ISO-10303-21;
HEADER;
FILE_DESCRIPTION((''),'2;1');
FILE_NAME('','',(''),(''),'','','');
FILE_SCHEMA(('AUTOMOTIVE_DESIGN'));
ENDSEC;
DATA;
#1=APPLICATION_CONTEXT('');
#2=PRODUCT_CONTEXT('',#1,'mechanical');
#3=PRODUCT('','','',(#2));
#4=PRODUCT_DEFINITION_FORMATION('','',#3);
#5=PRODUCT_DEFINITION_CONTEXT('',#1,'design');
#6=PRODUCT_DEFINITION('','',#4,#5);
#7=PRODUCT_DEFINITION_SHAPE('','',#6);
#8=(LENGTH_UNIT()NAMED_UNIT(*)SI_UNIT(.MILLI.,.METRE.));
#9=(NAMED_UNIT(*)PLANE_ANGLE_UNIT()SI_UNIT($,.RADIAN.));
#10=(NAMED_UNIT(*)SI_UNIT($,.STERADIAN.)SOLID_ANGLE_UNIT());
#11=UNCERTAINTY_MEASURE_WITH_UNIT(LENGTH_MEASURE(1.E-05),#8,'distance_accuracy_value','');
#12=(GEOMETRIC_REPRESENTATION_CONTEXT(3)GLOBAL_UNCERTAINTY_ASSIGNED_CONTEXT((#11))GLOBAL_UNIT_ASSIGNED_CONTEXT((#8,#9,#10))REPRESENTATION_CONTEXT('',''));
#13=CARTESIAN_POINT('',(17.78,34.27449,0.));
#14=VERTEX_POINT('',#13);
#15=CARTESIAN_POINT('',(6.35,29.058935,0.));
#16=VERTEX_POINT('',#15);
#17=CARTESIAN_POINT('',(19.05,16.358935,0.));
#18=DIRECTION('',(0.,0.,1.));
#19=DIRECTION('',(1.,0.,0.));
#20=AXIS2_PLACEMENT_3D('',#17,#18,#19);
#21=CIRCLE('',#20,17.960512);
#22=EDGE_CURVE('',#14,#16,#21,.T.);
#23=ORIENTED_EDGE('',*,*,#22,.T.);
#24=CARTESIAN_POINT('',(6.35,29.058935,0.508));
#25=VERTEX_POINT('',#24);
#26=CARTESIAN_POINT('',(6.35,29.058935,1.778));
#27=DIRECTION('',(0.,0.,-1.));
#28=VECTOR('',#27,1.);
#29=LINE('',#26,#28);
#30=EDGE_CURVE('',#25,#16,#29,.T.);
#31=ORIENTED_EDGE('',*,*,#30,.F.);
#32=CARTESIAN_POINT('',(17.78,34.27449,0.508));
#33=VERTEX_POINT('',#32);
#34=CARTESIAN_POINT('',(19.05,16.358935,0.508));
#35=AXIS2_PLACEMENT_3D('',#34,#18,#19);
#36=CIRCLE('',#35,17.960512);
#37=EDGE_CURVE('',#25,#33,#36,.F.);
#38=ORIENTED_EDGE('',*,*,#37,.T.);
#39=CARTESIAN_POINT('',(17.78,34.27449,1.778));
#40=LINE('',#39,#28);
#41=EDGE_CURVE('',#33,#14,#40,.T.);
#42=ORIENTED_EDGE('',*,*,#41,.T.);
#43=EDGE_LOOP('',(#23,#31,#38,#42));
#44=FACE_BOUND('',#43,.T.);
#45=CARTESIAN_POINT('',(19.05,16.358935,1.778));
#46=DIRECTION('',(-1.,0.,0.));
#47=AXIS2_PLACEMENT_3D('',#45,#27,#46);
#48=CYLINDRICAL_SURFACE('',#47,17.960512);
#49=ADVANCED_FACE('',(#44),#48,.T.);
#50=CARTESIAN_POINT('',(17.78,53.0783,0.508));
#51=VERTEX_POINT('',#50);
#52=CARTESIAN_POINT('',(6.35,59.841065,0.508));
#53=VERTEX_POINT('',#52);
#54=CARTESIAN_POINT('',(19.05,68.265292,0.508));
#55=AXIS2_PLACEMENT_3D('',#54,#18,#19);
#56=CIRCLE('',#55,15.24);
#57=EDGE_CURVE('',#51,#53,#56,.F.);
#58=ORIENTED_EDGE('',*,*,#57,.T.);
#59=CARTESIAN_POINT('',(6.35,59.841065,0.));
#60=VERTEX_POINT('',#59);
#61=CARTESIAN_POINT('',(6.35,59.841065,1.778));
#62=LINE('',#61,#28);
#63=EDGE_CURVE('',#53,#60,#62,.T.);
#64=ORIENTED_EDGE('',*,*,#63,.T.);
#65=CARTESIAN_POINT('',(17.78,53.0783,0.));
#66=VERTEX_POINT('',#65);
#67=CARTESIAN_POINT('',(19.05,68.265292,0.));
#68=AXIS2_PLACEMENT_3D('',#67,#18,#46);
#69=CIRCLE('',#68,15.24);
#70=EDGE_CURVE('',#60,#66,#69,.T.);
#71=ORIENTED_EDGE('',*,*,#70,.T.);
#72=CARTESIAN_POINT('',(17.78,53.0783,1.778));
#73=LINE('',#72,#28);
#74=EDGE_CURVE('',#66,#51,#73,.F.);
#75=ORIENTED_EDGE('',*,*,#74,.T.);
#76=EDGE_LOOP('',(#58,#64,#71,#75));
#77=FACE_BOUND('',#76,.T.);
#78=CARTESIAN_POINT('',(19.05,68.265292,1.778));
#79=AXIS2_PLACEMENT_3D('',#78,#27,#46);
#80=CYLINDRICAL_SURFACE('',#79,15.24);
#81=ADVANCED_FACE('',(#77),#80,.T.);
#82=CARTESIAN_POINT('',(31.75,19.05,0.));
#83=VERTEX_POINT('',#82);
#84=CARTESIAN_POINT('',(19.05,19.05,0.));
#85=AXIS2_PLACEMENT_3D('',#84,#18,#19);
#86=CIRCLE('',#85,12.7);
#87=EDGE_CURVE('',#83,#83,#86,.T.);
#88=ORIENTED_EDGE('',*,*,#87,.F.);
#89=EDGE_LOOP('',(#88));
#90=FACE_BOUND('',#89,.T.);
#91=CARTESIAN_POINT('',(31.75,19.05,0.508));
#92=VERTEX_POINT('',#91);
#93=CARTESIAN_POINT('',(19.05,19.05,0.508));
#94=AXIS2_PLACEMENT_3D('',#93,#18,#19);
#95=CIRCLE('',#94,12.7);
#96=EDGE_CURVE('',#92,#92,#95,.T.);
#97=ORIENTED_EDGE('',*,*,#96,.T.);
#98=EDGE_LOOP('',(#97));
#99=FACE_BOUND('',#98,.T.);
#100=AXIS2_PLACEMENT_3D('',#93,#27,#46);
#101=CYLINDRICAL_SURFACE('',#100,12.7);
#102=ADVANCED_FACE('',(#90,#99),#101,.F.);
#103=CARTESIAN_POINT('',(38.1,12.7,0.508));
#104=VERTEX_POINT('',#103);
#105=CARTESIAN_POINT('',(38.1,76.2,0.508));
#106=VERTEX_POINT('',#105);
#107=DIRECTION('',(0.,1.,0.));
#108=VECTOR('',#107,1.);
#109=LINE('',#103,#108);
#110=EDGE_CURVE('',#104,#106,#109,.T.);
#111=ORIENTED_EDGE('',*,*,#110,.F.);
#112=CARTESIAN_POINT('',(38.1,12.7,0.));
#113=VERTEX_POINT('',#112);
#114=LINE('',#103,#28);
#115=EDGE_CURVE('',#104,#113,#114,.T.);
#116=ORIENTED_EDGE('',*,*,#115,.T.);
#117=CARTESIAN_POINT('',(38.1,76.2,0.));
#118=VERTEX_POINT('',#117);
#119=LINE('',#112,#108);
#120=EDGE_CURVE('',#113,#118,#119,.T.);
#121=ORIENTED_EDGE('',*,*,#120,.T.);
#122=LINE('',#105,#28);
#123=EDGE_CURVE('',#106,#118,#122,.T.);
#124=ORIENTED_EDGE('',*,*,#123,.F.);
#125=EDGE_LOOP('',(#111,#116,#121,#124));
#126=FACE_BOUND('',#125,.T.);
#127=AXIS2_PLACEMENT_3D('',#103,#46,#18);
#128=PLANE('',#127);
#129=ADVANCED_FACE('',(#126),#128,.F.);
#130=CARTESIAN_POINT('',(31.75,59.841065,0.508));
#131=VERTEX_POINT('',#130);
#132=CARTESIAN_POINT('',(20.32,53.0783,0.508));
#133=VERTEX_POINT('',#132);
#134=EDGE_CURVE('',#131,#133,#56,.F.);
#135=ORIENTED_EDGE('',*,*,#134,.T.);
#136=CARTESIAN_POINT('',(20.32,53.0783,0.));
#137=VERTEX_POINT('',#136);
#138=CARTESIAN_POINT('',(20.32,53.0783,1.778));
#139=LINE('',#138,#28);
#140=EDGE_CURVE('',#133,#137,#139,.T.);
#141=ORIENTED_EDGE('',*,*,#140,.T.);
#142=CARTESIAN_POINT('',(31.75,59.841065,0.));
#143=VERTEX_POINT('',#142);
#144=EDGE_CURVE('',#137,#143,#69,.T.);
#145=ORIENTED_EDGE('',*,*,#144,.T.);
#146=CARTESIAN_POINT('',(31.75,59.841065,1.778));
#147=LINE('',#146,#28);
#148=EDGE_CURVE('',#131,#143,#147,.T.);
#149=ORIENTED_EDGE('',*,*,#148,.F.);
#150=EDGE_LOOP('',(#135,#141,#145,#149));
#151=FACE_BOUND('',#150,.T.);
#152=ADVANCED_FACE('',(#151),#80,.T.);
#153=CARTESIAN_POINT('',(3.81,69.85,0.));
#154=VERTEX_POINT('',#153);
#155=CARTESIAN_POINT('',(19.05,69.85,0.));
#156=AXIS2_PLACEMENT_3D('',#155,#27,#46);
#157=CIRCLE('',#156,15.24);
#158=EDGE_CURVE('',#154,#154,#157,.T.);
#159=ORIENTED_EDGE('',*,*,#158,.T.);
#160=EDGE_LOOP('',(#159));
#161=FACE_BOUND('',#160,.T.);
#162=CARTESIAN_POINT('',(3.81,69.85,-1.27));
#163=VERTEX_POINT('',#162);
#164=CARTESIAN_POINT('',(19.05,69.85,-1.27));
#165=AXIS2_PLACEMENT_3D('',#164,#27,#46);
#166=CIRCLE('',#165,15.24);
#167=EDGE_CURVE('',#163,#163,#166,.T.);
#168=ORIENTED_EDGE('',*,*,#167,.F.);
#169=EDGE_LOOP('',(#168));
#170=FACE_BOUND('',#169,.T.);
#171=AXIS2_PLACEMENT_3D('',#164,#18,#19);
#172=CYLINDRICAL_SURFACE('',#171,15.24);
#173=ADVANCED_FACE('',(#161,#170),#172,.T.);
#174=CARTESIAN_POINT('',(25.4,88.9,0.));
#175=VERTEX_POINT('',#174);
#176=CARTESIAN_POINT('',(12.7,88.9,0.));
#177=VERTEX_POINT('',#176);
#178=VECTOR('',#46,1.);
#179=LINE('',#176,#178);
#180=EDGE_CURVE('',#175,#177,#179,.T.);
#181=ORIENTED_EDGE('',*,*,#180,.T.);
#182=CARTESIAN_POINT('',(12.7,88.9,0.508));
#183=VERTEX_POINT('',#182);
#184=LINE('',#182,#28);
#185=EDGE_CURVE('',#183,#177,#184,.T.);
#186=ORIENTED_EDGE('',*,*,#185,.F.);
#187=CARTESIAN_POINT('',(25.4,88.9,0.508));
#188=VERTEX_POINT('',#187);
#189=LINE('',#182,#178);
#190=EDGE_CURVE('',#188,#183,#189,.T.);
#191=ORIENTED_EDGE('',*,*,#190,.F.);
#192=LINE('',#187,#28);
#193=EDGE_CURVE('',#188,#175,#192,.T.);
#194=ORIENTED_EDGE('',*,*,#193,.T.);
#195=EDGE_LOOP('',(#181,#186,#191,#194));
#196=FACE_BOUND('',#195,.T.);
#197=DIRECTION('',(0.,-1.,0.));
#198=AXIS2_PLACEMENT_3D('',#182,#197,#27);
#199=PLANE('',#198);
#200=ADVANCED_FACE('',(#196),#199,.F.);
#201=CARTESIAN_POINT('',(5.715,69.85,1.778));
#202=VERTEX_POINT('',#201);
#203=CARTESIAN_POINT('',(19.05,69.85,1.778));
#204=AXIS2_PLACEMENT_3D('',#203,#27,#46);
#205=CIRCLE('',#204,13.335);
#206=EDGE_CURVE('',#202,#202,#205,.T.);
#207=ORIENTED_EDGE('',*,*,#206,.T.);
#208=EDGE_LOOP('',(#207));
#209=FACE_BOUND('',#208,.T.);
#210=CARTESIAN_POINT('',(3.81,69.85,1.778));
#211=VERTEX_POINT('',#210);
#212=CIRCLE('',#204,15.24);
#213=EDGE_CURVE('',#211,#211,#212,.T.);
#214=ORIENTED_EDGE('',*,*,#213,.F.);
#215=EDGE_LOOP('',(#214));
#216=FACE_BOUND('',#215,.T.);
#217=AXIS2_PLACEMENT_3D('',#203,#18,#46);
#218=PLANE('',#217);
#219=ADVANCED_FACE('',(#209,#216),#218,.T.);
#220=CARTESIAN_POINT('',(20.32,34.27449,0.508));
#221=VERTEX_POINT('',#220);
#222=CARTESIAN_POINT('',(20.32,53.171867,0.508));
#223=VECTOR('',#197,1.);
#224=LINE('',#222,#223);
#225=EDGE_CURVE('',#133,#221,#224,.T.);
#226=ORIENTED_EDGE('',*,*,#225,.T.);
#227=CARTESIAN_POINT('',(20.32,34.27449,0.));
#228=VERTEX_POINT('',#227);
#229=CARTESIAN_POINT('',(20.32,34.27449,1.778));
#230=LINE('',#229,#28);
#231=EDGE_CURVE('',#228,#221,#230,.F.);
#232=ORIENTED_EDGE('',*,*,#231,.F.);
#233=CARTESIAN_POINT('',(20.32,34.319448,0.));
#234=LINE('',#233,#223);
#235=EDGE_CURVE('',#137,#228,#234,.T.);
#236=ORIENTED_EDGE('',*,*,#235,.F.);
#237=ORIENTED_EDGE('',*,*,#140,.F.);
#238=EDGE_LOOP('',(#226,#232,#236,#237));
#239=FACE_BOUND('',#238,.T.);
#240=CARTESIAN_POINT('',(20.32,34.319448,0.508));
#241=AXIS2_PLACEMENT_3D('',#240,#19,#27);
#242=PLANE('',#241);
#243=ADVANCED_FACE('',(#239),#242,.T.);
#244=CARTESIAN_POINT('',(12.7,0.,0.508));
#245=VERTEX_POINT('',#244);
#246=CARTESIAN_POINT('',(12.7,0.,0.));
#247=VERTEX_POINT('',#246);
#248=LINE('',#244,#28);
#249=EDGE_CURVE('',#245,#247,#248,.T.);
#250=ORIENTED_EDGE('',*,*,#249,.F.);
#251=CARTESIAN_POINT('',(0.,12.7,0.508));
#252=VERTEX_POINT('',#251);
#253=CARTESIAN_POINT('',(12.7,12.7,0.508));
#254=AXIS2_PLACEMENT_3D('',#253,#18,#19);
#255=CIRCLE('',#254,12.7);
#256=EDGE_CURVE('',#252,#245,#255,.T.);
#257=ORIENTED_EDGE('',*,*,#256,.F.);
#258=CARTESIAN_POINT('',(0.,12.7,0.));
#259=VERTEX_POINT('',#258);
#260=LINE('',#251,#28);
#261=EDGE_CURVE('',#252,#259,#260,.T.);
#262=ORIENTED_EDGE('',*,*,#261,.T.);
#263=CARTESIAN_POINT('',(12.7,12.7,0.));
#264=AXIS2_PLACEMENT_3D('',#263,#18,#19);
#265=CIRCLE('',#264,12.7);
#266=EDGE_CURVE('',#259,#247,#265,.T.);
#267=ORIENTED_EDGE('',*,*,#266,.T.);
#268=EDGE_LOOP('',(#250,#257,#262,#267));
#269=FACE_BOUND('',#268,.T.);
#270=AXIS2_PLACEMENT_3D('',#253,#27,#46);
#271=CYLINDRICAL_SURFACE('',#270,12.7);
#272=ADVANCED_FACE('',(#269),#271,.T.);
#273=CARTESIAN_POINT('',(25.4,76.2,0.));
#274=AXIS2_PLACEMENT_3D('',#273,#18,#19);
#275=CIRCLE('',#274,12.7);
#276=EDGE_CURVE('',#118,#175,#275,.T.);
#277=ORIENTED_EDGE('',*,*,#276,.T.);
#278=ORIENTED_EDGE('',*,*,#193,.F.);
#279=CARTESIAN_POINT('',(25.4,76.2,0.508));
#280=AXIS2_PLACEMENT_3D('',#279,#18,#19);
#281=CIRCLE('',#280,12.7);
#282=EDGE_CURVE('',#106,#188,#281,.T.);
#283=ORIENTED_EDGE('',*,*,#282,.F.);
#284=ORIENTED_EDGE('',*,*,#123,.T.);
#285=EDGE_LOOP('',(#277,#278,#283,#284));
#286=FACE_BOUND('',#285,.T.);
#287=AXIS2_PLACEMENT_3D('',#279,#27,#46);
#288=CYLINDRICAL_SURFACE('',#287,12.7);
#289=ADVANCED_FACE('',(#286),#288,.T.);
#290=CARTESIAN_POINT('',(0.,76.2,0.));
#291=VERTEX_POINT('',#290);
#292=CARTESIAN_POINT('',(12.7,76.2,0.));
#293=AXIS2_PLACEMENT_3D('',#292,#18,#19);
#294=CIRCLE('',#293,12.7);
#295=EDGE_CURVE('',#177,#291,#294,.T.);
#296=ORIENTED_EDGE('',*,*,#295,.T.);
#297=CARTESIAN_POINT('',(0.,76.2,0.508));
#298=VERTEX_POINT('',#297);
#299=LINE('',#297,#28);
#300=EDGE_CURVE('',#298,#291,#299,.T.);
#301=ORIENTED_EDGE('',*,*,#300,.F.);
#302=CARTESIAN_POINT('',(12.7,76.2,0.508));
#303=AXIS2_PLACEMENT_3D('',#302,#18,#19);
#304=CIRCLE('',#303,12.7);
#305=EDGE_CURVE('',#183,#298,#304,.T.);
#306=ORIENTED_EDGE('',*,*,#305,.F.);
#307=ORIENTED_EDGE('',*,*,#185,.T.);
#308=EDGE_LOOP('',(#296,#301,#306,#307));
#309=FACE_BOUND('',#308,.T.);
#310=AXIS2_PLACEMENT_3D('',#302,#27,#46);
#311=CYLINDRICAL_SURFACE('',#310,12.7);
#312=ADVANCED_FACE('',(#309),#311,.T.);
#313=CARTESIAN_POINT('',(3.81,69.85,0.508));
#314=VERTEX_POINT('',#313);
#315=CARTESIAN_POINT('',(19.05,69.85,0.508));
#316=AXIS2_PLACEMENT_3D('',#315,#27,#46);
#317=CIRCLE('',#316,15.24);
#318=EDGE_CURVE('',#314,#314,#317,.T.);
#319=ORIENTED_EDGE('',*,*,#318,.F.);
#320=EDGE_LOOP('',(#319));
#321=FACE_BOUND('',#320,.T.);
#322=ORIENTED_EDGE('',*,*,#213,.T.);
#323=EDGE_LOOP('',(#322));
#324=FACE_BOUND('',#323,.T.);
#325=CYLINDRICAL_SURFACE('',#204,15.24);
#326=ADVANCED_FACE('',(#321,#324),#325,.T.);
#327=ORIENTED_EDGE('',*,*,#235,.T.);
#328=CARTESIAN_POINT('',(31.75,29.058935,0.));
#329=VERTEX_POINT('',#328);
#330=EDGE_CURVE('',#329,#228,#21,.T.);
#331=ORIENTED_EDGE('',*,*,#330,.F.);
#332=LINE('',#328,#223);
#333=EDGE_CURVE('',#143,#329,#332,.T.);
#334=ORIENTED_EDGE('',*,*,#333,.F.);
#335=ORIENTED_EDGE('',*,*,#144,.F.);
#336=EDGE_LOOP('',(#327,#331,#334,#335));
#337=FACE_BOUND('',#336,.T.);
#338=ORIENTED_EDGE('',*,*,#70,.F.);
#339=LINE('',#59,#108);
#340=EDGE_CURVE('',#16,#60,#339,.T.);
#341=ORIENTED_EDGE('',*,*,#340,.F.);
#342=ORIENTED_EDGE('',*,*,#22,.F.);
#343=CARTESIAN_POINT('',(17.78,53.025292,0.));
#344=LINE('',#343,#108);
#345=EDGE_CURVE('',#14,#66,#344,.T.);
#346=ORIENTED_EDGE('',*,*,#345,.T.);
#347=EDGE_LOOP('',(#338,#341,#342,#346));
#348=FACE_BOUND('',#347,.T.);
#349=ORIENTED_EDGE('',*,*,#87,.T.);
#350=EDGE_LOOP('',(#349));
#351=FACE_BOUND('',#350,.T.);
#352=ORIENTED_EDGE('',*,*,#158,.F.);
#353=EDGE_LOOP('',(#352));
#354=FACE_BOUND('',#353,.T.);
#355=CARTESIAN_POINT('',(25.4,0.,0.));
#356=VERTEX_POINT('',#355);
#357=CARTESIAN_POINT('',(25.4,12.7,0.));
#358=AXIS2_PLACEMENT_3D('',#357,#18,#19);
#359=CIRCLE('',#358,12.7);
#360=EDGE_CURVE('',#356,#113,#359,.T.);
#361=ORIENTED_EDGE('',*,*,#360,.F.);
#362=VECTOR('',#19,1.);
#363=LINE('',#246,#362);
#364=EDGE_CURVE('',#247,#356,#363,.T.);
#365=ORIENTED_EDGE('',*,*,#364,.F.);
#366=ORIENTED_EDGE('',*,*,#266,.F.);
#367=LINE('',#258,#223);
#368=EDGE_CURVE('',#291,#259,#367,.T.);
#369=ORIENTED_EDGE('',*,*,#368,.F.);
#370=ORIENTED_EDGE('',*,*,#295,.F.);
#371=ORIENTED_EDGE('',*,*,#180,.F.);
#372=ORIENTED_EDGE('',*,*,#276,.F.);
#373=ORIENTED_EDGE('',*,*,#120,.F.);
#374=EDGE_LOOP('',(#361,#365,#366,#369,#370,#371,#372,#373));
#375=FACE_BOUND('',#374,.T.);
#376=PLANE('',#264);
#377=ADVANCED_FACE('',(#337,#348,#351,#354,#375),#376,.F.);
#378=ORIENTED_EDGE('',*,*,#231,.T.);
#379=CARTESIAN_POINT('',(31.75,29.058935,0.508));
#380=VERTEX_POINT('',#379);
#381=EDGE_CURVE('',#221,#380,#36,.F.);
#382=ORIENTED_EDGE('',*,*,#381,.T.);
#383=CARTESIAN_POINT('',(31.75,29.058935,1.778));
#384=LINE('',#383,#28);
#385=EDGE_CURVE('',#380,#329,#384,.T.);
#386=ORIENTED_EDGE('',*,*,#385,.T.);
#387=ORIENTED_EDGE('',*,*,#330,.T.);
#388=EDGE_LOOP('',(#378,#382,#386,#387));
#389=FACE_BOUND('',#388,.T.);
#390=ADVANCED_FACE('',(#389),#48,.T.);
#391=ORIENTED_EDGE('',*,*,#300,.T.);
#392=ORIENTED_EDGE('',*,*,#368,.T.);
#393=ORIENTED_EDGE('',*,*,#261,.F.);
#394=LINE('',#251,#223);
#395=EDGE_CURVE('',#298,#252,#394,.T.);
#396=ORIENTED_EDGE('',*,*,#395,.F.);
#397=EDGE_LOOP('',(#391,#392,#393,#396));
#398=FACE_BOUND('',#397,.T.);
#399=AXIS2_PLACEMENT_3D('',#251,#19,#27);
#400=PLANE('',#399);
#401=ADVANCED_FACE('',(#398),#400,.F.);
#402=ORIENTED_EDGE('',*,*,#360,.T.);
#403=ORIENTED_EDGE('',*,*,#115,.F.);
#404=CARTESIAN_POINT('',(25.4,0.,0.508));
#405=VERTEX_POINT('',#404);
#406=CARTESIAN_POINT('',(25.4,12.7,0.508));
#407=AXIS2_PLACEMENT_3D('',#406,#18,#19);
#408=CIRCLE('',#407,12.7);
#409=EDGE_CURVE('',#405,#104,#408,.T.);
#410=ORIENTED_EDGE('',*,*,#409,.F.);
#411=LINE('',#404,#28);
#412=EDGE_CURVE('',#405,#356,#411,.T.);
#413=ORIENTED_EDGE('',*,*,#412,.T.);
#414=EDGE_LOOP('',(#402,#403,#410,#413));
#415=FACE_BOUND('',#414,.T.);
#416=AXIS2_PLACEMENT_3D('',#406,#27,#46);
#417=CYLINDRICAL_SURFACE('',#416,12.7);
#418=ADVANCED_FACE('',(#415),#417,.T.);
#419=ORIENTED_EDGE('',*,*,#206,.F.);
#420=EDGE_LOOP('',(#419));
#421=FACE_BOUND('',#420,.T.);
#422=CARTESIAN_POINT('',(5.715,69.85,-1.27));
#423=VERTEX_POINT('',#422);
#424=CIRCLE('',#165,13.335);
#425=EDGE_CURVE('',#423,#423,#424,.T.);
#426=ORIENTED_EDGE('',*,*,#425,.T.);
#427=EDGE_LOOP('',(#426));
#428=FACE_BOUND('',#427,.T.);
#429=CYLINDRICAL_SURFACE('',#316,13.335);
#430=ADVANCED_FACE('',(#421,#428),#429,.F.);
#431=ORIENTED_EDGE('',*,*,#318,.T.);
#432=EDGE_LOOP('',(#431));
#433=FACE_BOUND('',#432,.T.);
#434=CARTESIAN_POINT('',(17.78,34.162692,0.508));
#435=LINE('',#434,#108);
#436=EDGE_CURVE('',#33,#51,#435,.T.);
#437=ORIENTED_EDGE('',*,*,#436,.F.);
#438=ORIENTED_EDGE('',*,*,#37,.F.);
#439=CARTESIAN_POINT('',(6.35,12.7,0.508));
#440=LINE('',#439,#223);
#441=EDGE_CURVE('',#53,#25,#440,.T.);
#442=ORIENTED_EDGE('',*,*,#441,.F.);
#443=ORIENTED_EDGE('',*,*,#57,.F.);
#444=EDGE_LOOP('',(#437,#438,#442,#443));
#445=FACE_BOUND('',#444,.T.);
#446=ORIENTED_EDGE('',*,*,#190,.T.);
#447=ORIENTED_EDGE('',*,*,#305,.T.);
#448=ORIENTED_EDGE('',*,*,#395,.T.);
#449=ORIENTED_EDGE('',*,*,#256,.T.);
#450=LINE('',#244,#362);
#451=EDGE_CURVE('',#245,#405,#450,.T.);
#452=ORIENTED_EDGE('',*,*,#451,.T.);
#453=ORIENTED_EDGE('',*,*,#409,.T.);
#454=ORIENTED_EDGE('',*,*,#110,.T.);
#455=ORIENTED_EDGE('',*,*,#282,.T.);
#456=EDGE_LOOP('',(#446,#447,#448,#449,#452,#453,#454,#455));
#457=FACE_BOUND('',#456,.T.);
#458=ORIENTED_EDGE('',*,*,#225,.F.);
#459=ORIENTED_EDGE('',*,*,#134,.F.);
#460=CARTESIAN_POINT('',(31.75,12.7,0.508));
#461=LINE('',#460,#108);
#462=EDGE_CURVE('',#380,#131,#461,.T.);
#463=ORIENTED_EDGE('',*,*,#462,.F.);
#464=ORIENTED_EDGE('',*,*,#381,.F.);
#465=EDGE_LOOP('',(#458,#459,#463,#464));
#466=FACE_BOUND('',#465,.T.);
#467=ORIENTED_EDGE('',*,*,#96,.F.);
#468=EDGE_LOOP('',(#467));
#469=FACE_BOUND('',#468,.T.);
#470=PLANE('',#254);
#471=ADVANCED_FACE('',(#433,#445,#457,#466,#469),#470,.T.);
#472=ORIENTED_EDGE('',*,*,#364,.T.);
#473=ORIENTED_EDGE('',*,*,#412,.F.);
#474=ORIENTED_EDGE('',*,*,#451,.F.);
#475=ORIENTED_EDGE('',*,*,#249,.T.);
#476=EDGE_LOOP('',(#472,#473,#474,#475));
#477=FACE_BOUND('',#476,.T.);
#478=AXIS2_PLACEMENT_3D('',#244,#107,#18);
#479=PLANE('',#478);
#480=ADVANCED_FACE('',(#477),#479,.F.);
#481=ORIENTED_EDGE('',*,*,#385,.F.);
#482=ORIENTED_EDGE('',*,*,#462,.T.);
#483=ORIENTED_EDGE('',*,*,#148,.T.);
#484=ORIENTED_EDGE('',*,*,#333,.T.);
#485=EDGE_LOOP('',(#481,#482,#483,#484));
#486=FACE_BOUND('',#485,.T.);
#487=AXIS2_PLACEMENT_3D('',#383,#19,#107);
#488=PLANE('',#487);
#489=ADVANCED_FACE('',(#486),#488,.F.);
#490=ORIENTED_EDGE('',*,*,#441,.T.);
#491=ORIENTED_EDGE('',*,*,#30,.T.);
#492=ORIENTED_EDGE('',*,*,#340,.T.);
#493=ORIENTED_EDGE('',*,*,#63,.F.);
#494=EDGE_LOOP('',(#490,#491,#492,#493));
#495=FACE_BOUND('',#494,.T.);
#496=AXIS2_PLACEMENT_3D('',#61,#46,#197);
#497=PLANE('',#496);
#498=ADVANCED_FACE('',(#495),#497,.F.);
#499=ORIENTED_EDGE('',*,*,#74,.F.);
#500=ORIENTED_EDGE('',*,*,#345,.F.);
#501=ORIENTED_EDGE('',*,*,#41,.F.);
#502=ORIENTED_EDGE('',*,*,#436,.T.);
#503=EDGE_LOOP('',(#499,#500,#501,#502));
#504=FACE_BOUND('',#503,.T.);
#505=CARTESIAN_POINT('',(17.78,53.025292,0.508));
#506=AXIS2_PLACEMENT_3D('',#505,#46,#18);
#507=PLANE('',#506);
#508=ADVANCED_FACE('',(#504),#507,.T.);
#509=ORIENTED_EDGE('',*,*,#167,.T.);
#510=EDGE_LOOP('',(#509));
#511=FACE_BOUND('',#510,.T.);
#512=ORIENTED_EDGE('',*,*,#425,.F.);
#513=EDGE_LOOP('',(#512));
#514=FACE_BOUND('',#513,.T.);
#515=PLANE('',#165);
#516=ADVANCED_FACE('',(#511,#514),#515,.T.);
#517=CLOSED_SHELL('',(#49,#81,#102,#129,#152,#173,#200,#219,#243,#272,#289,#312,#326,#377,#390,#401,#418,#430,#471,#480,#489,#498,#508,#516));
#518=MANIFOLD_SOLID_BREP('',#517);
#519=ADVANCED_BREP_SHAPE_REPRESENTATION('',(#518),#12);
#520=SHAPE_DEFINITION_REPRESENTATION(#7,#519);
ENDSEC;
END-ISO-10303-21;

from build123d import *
from build123d.topology import SkipClean

# Parameters (mm, degrees)
SKETCH2_R           = 13.335
SKETCH2_R_2         = 12.7
BOSS_EXTRUDE1_DEPTH = 0.508
BOSS_EXTRUDE2_START = 1.27
SKETCH3_R           = 15.24
SKETCH3_R_2         = 13.335
BOSS_EXTRUDE2_DEPTH = 1.27
CUT_EXTRUDE1_DEPTH  = 97.736659463
BOSS_EXTRUDE3_DEPTH = 0.508


with BuildPart() as part:
    # Sketch2 → Boss-Extrude1 (new body)
    with BuildSketch(Plane.XY):
        with BuildLine():
            Line((12.7, 0), (25.4, 0))
            ThreePointArc((25.4, 0), (34.380256121, 3.719743879), (38.1, 12.7))
            Line((38.1, 12.7), (38.1, 76.2))
            ThreePointArc((38.1, 76.2), (34.380256121, 85.180256121), (25.4, 88.9))
            Line((25.4, 88.9), (12.7, 88.9))
            ThreePointArc((12.7, 88.9), (3.719743879, 85.180256121), (0, 76.2))
            Line((0, 76.2), (0, 12.7))
            ThreePointArc((0, 12.7), (3.719743879, 3.719743879), (12.7, 0))
        make_face()
        with Locations((19.05, 69.85)):
            Circle(SKETCH2_R, mode=Mode.SUBTRACT)
        with Locations((19.05, 19.05)):
            Circle(SKETCH2_R_2, mode=Mode.SUBTRACT)
    extrude(amount=BOSS_EXTRUDE1_DEPTH)

    # Sketch3 → Boss-Extrude2 (add)
    with SkipClean():  # the faces are left unmerged after this step: merging them gives an invalid solid
        with BuildSketch(Plane(origin=(0, 0, 0), x_dir=(-1, 0, 0), z_dir=(0, 0, -1)).offset(BOSS_EXTRUDE2_START)):
            with Locations((-19.05, 69.85)):
                Circle(SKETCH3_R)
            with Locations((-19.05, 69.85)):
                Circle(SKETCH3_R_2, mode=Mode.SUBTRACT)
        boss_extrude2 = extrude(amount=-BOSS_EXTRUDE2_DEPTH)

    # Mirror1: Boss-Extrude2 across plane
    add(boss_extrude2.mirror(Plane(origin=(0, 0, 0.254), x_dir=(1, 0, 0), z_dir=(0, 0, -1))))

    # Sketch4 → Cut-Extrude1 (cut, through all)
    with BuildSketch(Plane(origin=(0, 0, 0), x_dir=(-1, 0, 0), z_dir=(0, 0, -1))):
        with BuildLine():
            Line((-31.75, 29.058935454), (-31.75, 59.841064546))
            ThreePointArc((-31.75, 59.841064546), (-19.05, 53.025291513), (-6.35, 59.841064546))
            Line((-6.35, 59.841064546), (-6.35, 29.058935454))
            ThreePointArc((-6.35, 29.058935454), (-19.05, 34.319447696), (-31.75, 29.058935454))
        make_face()
    extrude(amount=-CUT_EXTRUDE1_DEPTH, mode=Mode.SUBTRACT)

    # Sketch5 → Boss-Extrude3 (add)
    with BuildSketch(Plane(origin=(0, 0, 0), x_dir=(-1, 0, 0), z_dir=(0, 0, -1))):
        Polygon((-20.32, 53.025291513), (-20.32, 34.319447696), (-20.32, 34.162691866), (-17.78, 34.162691866), (-17.78, 34.23115412), (-17.78, 34.319447696), (-17.78, 53.025291513), (-17.78, 53.171866838), (-20.32, 53.171866838), align=None)
    extrude(amount=-BOSS_EXTRUDE3_DEPTH)


solid = part.part
